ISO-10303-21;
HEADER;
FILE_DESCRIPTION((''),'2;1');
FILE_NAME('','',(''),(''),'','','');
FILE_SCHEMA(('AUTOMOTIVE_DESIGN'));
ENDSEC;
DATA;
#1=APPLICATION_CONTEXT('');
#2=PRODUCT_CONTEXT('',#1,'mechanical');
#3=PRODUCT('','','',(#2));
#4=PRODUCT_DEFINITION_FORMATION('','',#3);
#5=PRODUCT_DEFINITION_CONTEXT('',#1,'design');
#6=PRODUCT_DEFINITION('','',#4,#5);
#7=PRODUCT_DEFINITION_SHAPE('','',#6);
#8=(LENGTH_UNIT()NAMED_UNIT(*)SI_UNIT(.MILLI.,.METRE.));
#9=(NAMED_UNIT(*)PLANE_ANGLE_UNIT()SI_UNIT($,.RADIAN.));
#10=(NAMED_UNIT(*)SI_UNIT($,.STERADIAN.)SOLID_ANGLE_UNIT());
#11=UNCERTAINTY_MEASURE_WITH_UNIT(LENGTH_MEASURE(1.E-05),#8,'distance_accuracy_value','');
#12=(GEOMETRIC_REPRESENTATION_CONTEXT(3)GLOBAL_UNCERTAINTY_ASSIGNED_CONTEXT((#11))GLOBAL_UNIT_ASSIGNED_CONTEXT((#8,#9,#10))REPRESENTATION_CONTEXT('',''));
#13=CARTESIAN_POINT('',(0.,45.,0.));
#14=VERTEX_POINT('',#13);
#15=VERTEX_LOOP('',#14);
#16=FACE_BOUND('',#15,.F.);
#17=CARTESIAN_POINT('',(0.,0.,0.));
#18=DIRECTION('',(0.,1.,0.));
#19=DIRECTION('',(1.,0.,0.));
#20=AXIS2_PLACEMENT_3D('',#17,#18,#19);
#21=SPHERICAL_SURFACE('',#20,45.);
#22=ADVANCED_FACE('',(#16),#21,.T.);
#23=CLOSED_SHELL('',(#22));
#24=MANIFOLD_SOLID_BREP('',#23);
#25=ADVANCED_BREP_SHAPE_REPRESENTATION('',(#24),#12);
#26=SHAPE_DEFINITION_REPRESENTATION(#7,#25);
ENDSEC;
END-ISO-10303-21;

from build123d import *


with BuildPart() as f1:
    # F0 (on Top) → F1 (revolve)
    with BuildSketch(Plane.XY):
        with BuildLine():
            ThreePointArc((45, 0), (31.8198051534, 31.8198051534), (0, 45))
            Line((0, 45), (0, -45))
            ThreePointArc((0, -45), (31.8198051534, -31.8198051534), (45, 0))
        make_face()
    revolve(axis=Axis((0, 0, 0), (0, -1, 0)))


solid = f1.part
